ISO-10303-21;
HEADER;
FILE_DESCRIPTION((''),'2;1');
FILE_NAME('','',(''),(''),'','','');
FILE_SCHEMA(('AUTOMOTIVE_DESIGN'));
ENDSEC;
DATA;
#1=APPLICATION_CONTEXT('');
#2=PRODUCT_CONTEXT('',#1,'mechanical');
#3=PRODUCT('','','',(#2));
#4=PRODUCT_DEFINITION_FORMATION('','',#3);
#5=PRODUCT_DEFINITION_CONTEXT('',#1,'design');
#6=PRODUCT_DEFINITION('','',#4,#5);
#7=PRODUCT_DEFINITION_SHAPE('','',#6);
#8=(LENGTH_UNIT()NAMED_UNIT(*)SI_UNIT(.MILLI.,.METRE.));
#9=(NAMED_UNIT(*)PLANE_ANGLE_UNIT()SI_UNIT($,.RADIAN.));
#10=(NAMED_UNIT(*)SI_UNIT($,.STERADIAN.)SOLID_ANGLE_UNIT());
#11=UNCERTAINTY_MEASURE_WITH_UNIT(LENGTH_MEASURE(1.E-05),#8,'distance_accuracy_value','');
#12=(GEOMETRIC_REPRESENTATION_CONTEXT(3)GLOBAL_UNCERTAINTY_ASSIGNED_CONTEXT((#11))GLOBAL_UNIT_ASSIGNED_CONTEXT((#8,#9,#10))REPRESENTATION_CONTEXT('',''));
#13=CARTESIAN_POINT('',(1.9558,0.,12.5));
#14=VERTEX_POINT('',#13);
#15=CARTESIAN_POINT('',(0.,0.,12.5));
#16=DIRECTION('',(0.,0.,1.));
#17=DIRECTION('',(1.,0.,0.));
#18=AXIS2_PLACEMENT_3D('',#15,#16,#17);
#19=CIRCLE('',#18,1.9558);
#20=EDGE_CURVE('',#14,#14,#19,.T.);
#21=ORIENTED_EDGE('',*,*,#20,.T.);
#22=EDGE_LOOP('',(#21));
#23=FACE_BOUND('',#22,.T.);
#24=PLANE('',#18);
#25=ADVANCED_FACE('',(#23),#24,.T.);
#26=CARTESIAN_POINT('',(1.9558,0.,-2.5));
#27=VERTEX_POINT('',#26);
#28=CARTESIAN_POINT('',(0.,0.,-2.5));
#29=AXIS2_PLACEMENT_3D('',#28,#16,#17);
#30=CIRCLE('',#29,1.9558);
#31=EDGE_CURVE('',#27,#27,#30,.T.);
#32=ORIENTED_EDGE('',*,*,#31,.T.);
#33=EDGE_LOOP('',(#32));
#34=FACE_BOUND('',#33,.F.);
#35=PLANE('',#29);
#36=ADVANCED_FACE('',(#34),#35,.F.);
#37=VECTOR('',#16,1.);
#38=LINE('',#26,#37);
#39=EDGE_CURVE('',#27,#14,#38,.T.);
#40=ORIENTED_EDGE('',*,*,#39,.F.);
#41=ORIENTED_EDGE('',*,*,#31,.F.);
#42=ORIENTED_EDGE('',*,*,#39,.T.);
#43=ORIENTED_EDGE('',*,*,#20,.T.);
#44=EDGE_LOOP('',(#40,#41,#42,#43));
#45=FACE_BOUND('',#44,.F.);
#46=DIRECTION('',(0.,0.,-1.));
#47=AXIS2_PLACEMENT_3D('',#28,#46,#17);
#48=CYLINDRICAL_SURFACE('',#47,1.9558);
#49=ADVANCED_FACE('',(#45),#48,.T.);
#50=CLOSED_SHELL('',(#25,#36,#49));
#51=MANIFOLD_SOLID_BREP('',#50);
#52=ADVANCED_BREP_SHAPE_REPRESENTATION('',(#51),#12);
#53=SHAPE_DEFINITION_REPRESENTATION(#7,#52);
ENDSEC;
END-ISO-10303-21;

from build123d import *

# Parameters (mm, degrees)
CYLINDER_R     = 1.9558
CYLINDER_DEPTH = 15


with BuildPart() as part:
    # Cylinder → Cylinder (new body)
    with BuildSketch(Plane.XY.offset(-2.5)):
        Circle(CYLINDER_R)
    extrude(amount=CYLINDER_DEPTH)


solid = part.part
